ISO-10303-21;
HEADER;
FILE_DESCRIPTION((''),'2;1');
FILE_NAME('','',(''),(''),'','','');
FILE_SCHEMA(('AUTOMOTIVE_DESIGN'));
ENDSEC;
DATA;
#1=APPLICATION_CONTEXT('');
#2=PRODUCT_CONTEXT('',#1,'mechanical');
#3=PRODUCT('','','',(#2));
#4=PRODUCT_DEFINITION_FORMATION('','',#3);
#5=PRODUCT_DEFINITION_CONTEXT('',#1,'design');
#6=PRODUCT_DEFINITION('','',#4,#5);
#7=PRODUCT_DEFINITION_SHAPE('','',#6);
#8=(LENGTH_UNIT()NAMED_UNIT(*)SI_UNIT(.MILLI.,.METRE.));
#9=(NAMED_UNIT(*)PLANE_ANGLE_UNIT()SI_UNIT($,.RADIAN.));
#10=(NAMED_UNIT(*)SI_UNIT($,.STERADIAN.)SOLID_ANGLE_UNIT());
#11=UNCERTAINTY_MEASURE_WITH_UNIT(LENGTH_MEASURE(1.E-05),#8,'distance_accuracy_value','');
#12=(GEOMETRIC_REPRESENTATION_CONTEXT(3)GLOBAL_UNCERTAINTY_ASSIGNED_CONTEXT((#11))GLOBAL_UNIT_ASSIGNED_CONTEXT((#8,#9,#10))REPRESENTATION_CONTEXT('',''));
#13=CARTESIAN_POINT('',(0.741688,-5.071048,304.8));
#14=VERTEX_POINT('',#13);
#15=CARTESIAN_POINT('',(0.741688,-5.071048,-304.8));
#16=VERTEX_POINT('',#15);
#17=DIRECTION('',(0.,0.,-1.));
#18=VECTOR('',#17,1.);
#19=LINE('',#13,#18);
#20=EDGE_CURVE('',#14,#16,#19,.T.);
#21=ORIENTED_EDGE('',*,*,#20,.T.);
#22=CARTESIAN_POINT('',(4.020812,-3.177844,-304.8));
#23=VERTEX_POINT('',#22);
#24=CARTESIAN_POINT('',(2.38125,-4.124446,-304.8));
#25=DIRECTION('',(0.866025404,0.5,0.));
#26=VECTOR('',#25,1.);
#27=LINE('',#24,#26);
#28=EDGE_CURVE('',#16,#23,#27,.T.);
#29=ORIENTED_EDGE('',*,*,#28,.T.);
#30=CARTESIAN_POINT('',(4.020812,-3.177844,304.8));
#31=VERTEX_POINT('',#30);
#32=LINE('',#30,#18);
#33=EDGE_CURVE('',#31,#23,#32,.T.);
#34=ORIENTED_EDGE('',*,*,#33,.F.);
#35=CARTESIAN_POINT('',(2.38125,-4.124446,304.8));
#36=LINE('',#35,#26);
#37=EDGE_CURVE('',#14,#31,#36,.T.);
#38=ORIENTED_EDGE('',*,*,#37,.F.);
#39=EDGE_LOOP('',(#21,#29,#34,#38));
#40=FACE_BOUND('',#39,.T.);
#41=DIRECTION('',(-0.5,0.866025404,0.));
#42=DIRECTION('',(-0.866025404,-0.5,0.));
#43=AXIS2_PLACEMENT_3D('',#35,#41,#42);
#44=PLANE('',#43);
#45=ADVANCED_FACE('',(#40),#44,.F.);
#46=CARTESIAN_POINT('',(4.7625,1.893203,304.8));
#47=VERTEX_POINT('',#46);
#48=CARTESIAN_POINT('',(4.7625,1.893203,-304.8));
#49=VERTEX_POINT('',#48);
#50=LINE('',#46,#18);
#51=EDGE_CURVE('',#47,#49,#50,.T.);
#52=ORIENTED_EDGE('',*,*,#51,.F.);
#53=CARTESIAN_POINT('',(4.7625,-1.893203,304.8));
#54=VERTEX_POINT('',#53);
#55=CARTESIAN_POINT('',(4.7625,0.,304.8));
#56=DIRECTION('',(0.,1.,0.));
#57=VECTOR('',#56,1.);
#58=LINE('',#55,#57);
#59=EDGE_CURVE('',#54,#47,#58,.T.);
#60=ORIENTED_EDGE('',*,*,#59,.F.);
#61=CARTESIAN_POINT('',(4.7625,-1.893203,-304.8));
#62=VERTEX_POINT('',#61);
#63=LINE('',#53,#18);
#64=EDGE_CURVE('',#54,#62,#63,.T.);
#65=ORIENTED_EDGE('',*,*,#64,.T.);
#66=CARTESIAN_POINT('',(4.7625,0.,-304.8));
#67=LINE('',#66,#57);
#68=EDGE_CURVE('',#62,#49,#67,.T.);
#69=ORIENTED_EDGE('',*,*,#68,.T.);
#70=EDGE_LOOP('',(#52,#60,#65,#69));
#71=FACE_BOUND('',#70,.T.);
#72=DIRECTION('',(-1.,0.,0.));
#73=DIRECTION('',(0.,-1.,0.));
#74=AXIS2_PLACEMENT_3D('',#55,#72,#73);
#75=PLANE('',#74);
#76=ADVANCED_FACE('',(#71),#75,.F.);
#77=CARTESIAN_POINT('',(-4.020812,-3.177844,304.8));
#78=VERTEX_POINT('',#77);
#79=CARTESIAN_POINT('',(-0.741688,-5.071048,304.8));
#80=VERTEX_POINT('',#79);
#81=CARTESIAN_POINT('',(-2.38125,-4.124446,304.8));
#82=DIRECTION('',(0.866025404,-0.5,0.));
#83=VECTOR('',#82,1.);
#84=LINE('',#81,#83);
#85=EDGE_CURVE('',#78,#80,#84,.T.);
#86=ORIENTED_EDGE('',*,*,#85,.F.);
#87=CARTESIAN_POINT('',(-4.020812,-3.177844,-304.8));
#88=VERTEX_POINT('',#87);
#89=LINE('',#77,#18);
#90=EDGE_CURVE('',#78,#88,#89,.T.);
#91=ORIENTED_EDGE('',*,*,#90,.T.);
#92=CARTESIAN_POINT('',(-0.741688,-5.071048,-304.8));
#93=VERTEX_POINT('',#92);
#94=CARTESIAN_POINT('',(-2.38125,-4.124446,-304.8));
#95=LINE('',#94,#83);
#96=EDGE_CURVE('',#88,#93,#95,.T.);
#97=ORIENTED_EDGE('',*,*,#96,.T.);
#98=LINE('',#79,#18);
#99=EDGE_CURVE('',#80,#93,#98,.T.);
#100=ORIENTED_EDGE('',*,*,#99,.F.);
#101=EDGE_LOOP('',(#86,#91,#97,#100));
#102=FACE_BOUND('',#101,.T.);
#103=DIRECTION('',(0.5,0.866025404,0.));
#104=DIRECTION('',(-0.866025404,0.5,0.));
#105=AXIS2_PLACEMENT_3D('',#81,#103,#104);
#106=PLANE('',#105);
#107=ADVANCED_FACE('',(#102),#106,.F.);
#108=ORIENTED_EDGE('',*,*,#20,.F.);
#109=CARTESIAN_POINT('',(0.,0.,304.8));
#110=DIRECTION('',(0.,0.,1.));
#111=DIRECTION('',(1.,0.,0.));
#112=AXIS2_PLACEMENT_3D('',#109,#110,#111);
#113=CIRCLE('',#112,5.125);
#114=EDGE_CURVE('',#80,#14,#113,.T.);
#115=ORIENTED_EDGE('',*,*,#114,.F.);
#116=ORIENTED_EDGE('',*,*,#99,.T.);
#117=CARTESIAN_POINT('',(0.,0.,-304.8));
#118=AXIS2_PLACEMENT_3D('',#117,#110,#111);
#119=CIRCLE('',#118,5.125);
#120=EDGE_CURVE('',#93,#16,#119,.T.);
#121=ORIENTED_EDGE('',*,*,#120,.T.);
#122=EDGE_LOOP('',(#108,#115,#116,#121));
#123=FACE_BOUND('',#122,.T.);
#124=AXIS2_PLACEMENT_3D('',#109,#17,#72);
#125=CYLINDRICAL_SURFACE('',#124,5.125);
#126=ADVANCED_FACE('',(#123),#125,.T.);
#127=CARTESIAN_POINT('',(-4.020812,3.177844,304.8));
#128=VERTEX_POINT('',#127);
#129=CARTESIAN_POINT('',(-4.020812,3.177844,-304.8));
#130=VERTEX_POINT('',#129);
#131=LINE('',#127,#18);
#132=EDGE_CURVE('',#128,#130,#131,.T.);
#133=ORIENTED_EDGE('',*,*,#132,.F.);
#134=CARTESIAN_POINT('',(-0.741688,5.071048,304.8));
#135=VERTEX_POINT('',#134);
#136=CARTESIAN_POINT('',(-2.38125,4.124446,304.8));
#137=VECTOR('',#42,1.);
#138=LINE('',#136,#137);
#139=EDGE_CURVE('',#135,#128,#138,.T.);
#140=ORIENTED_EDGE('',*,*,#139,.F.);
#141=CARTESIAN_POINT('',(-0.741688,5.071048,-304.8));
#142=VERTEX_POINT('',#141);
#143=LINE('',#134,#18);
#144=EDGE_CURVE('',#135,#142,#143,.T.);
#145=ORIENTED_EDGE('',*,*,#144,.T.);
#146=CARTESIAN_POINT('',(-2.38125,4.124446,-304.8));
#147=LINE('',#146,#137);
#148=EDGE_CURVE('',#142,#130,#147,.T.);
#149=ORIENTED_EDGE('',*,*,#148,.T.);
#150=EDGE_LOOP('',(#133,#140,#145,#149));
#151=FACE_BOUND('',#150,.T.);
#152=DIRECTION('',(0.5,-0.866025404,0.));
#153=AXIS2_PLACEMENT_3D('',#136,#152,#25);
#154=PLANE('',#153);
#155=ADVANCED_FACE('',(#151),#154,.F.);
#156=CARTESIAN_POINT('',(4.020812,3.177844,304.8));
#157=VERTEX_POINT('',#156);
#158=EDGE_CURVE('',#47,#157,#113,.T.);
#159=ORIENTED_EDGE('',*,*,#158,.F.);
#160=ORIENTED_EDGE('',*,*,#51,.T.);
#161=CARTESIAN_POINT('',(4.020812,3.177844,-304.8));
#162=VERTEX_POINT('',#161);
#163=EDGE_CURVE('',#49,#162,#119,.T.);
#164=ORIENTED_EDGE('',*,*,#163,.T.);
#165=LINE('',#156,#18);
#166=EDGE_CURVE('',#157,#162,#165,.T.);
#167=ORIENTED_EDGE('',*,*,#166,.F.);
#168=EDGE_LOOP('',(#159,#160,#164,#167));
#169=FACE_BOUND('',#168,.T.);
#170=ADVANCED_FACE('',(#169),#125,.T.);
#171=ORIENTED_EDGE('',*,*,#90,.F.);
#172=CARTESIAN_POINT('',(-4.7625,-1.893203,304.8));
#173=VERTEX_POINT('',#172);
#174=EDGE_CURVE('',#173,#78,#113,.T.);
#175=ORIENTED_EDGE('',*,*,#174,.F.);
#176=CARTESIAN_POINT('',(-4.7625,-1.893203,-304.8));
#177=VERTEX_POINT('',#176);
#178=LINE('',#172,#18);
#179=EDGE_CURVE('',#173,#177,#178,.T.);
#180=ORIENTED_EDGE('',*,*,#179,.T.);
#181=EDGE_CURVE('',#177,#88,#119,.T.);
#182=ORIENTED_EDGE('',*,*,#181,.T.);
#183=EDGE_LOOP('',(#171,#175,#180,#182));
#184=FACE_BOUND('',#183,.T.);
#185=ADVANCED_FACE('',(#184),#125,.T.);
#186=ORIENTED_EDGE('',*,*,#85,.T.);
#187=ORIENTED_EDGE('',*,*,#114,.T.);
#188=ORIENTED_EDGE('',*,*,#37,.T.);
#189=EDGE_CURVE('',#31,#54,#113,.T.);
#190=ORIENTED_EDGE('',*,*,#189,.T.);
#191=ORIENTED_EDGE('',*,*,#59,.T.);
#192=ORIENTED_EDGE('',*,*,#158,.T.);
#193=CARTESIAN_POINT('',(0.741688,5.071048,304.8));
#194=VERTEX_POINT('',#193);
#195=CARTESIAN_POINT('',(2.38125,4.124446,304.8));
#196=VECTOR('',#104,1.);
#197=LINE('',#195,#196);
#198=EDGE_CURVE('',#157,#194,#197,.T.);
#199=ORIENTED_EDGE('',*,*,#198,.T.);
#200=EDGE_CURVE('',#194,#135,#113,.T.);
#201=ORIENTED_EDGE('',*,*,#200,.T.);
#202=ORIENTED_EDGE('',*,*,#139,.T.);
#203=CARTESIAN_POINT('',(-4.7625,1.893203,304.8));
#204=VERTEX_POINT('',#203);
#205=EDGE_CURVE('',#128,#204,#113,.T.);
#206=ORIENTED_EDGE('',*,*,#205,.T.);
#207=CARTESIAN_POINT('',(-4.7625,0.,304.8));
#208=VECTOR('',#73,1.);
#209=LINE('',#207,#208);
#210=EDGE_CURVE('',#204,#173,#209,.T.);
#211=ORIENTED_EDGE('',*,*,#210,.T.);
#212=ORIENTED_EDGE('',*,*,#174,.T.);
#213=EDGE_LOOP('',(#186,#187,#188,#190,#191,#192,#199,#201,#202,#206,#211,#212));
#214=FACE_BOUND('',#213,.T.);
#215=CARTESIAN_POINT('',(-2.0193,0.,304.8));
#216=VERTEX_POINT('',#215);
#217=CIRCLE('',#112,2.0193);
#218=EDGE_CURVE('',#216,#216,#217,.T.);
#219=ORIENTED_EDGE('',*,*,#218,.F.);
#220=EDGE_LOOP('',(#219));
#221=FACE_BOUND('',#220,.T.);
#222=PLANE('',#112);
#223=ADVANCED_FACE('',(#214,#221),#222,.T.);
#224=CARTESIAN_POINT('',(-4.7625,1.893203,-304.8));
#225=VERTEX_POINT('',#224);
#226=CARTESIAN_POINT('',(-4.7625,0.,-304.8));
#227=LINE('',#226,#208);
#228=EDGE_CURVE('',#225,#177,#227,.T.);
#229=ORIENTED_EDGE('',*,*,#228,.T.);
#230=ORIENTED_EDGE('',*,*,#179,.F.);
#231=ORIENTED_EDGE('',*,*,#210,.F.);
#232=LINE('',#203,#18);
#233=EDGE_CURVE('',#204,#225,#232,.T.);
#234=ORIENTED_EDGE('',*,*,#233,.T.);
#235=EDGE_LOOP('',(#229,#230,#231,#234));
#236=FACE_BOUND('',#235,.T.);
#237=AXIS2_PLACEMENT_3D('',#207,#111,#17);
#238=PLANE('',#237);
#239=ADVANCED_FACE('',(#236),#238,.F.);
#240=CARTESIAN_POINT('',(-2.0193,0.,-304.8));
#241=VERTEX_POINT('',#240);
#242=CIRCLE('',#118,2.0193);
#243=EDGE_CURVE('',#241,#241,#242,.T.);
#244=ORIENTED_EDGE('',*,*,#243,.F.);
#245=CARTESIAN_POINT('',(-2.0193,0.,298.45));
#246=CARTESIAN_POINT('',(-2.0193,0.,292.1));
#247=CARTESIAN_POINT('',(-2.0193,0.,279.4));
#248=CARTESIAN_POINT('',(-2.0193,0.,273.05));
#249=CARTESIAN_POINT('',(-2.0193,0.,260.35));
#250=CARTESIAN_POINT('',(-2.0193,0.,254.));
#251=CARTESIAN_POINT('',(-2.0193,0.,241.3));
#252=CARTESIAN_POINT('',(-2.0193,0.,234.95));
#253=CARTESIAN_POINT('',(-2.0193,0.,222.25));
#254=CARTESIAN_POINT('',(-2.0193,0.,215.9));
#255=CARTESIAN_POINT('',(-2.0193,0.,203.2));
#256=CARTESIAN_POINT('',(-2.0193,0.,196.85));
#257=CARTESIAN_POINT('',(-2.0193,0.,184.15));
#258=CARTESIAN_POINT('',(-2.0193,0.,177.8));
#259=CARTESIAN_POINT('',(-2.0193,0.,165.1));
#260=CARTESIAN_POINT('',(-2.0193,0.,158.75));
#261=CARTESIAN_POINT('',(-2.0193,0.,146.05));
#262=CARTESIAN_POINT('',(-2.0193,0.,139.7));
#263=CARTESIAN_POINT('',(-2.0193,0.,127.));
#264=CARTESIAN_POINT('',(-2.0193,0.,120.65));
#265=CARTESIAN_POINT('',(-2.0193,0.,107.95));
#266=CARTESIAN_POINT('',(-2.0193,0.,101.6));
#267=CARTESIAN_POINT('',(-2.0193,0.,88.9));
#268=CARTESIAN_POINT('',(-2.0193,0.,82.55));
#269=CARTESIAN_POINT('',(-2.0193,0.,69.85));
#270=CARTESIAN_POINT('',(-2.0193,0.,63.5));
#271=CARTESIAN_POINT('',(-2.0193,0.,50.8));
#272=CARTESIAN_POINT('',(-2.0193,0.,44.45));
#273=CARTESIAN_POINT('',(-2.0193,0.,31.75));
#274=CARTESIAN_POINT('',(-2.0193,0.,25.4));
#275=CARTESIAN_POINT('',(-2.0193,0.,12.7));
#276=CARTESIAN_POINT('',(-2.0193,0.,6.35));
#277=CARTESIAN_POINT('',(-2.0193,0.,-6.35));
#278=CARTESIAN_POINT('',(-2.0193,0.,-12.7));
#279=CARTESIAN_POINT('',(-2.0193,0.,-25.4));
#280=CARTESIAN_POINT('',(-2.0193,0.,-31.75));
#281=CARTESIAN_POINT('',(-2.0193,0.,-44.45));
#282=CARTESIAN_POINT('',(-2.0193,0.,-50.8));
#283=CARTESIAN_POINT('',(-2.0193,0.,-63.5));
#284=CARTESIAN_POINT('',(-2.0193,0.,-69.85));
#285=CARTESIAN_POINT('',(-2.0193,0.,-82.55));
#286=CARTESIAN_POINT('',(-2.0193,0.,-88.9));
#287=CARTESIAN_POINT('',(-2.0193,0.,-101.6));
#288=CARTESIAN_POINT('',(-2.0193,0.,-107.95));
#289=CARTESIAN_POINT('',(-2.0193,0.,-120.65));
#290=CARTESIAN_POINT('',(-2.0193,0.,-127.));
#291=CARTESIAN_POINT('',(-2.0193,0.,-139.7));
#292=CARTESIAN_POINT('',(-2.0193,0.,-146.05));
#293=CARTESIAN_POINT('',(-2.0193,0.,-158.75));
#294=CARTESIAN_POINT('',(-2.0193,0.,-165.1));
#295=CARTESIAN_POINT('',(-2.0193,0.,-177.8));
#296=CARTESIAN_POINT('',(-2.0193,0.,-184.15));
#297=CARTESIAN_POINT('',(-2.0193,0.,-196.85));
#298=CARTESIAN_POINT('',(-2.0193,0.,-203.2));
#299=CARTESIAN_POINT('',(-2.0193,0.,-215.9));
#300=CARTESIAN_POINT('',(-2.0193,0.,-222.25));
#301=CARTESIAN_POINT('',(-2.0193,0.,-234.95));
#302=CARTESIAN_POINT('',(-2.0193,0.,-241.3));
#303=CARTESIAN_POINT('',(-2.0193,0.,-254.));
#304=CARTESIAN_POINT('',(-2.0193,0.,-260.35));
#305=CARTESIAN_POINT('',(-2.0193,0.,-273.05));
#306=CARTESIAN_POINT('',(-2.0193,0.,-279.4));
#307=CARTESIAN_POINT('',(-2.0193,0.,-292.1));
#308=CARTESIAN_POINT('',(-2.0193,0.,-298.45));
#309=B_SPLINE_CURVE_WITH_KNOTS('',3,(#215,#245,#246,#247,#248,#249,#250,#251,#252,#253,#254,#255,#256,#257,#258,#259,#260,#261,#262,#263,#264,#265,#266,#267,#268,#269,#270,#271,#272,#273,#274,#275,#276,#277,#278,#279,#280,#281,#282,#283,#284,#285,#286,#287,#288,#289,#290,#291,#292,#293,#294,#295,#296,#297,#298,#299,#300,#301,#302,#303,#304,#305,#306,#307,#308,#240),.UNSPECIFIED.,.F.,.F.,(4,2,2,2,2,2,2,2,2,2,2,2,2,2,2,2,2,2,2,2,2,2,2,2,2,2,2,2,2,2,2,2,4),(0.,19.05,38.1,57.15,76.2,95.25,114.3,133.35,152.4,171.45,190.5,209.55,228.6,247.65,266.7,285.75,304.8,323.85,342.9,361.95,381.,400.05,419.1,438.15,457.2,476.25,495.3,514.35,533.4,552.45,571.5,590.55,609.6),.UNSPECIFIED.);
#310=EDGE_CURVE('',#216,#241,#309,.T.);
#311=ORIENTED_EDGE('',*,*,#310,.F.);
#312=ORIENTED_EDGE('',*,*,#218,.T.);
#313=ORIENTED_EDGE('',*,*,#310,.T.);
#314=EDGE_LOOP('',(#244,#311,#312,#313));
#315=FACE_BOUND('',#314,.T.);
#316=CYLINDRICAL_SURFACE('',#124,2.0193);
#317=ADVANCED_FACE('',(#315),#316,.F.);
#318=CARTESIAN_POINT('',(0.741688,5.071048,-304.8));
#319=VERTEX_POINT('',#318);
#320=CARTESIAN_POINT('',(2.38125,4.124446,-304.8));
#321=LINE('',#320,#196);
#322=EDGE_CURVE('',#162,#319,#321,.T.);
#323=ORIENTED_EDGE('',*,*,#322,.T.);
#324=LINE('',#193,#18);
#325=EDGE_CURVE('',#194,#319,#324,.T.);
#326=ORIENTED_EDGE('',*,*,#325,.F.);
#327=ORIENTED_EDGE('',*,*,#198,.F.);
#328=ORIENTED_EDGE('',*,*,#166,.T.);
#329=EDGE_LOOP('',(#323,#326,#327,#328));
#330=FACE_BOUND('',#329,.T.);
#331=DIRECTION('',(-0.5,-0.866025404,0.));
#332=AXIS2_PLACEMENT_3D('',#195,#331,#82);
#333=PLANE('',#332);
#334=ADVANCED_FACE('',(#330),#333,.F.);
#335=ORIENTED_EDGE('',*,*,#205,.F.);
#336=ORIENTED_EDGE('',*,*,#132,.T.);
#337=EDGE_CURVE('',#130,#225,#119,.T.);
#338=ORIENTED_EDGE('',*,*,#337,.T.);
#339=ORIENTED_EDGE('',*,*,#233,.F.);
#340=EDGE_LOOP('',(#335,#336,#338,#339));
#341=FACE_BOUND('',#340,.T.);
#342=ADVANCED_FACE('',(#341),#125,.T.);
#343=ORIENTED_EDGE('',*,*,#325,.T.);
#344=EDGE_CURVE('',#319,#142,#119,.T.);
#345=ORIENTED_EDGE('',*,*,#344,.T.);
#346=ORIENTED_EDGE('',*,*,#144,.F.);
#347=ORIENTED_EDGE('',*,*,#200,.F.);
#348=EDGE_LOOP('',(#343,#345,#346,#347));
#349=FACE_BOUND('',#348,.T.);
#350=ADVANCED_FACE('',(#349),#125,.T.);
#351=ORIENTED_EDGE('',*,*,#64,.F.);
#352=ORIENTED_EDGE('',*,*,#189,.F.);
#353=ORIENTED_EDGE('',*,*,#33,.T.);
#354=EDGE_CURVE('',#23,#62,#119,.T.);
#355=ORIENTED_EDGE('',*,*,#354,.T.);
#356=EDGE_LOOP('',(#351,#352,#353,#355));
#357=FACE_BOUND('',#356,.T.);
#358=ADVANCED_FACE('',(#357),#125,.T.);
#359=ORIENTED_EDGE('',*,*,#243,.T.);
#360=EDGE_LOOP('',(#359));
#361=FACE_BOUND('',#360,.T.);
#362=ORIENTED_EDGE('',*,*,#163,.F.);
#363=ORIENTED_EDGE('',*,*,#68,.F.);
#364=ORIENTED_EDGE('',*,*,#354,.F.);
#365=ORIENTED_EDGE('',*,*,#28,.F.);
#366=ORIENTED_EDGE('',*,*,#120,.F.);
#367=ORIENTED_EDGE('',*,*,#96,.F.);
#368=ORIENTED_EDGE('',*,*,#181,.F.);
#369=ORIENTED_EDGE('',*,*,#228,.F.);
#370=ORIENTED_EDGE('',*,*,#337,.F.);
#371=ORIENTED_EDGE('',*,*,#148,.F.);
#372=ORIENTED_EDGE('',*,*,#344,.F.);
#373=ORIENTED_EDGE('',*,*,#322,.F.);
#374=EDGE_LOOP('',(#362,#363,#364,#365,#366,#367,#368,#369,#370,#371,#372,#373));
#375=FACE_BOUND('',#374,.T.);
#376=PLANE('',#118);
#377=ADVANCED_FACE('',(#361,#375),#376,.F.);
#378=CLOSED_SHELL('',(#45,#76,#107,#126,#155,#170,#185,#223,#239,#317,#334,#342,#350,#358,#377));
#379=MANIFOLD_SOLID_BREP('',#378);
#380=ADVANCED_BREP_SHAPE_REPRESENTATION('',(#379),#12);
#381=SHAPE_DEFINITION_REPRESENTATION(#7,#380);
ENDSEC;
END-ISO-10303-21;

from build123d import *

# Parameters (mm, degrees)
SKETCH2_R                            = 2.0193
BOSS_EXTRUDE1_DEPTH                  = 304.8
F_10_32_TAPPED_HOLE2_D               = 4.0386
F_10_32_TAPPED_HOLE2_DEPTH           = 16.34744
F_10_32_TAPPED_HOLE2_TIP             = 1.213317848
F_10_32_TAPPED_HOLE2_ON_FACE_2_D     = 4.0386
F_10_32_TAPPED_HOLE2_ON_FACE_2_DEPTH = 16.34744
F_10_32_TAPPED_HOLE2_ON_FACE_2_TIP   = 1.213317848


with BuildPart() as part:
    # Sketch2 → Boss-Extrude1 (new, symmetric)
    with BuildSketch(Plane.XY):
        with BuildLine():
            ThreePointArc((0.741687758, 5.071047688), (0, 5.125000037), (-0.741687758, 5.071047688))
            Line((-0.741687758, 5.071047688), (-4.020812242, 3.177844283))
            ThreePointArc((-4.020812242, 3.177844283), (-4.438380226, 2.562500019), (-4.7625, 1.893203404))
            Line((-4.7625, 1.893203404), (-4.7625, -1.893203404))
            ThreePointArc((-4.7625, -1.893203404), (-4.438380226, -2.562500019), (-4.020812242, -3.177844283))
            Line((-4.020812242, -3.177844283), (-0.741687758, -5.071047688))
            ThreePointArc((-0.741687758, -5.071047688), (0, -5.125000037), (0.741687758, -5.071047688))
            Line((0.741687758, -5.071047688), (4.020812242, -3.177844283))
            ThreePointArc((4.020812242, -3.177844283), (4.438380226, -2.562500019), (4.7625, -1.893203404))
            Line((4.7625, -1.893203404), (4.7625, 1.893203404))
            ThreePointArc((4.7625, 1.893203404), (4.438380226, 2.562500019), (4.020812242, 3.177844283))
            Line((4.020812242, 3.177844283), (0.741687758, 5.071047688))
        make_face()
        with Locations(Location((0, 0, 0), (0, 0, 180))):
            Circle(SKETCH2_R, mode=Mode.SUBTRACT)
    extrude(amount=BOSS_EXTRUDE1_DEPTH, both=True)

    # #10-32 Tapped Hole2
    with Locations(Plane(origin=(0, 0, -304.8), x_dir=(-1, 0, 0), z_dir=(0, 0, -1))):
        with Locations((0, 0)):
            Hole(F_10_32_TAPPED_HOLE2_D / 2, depth=F_10_32_TAPPED_HOLE2_DEPTH)
            with Locations((0, 0, -(F_10_32_TAPPED_HOLE2_DEPTH + F_10_32_TAPPED_HOLE2_TIP / 2))):  # 118° drill point
                Cone(0, F_10_32_TAPPED_HOLE2_D / 2, F_10_32_TAPPED_HOLE2_TIP, mode=Mode.SUBTRACT)

    # #10-32 Tapped Hole2 on face 2
    with Locations(Plane(origin=(0, 0, 304.8), x_dir=(-1, 0, 0), z_dir=(0, 0, -1))):
        with Locations((0, 0)):
            Hole(F_10_32_TAPPED_HOLE2_ON_FACE_2_D / 2, depth=F_10_32_TAPPED_HOLE2_ON_FACE_2_DEPTH)
            with Locations((0, 0, -(F_10_32_TAPPED_HOLE2_ON_FACE_2_DEPTH + F_10_32_TAPPED_HOLE2_ON_FACE_2_TIP / 2))):  # 118° drill point
                Cone(0, F_10_32_TAPPED_HOLE2_ON_FACE_2_D / 2, F_10_32_TAPPED_HOLE2_ON_FACE_2_TIP, mode=Mode.SUBTRACT)


solid = part.part
